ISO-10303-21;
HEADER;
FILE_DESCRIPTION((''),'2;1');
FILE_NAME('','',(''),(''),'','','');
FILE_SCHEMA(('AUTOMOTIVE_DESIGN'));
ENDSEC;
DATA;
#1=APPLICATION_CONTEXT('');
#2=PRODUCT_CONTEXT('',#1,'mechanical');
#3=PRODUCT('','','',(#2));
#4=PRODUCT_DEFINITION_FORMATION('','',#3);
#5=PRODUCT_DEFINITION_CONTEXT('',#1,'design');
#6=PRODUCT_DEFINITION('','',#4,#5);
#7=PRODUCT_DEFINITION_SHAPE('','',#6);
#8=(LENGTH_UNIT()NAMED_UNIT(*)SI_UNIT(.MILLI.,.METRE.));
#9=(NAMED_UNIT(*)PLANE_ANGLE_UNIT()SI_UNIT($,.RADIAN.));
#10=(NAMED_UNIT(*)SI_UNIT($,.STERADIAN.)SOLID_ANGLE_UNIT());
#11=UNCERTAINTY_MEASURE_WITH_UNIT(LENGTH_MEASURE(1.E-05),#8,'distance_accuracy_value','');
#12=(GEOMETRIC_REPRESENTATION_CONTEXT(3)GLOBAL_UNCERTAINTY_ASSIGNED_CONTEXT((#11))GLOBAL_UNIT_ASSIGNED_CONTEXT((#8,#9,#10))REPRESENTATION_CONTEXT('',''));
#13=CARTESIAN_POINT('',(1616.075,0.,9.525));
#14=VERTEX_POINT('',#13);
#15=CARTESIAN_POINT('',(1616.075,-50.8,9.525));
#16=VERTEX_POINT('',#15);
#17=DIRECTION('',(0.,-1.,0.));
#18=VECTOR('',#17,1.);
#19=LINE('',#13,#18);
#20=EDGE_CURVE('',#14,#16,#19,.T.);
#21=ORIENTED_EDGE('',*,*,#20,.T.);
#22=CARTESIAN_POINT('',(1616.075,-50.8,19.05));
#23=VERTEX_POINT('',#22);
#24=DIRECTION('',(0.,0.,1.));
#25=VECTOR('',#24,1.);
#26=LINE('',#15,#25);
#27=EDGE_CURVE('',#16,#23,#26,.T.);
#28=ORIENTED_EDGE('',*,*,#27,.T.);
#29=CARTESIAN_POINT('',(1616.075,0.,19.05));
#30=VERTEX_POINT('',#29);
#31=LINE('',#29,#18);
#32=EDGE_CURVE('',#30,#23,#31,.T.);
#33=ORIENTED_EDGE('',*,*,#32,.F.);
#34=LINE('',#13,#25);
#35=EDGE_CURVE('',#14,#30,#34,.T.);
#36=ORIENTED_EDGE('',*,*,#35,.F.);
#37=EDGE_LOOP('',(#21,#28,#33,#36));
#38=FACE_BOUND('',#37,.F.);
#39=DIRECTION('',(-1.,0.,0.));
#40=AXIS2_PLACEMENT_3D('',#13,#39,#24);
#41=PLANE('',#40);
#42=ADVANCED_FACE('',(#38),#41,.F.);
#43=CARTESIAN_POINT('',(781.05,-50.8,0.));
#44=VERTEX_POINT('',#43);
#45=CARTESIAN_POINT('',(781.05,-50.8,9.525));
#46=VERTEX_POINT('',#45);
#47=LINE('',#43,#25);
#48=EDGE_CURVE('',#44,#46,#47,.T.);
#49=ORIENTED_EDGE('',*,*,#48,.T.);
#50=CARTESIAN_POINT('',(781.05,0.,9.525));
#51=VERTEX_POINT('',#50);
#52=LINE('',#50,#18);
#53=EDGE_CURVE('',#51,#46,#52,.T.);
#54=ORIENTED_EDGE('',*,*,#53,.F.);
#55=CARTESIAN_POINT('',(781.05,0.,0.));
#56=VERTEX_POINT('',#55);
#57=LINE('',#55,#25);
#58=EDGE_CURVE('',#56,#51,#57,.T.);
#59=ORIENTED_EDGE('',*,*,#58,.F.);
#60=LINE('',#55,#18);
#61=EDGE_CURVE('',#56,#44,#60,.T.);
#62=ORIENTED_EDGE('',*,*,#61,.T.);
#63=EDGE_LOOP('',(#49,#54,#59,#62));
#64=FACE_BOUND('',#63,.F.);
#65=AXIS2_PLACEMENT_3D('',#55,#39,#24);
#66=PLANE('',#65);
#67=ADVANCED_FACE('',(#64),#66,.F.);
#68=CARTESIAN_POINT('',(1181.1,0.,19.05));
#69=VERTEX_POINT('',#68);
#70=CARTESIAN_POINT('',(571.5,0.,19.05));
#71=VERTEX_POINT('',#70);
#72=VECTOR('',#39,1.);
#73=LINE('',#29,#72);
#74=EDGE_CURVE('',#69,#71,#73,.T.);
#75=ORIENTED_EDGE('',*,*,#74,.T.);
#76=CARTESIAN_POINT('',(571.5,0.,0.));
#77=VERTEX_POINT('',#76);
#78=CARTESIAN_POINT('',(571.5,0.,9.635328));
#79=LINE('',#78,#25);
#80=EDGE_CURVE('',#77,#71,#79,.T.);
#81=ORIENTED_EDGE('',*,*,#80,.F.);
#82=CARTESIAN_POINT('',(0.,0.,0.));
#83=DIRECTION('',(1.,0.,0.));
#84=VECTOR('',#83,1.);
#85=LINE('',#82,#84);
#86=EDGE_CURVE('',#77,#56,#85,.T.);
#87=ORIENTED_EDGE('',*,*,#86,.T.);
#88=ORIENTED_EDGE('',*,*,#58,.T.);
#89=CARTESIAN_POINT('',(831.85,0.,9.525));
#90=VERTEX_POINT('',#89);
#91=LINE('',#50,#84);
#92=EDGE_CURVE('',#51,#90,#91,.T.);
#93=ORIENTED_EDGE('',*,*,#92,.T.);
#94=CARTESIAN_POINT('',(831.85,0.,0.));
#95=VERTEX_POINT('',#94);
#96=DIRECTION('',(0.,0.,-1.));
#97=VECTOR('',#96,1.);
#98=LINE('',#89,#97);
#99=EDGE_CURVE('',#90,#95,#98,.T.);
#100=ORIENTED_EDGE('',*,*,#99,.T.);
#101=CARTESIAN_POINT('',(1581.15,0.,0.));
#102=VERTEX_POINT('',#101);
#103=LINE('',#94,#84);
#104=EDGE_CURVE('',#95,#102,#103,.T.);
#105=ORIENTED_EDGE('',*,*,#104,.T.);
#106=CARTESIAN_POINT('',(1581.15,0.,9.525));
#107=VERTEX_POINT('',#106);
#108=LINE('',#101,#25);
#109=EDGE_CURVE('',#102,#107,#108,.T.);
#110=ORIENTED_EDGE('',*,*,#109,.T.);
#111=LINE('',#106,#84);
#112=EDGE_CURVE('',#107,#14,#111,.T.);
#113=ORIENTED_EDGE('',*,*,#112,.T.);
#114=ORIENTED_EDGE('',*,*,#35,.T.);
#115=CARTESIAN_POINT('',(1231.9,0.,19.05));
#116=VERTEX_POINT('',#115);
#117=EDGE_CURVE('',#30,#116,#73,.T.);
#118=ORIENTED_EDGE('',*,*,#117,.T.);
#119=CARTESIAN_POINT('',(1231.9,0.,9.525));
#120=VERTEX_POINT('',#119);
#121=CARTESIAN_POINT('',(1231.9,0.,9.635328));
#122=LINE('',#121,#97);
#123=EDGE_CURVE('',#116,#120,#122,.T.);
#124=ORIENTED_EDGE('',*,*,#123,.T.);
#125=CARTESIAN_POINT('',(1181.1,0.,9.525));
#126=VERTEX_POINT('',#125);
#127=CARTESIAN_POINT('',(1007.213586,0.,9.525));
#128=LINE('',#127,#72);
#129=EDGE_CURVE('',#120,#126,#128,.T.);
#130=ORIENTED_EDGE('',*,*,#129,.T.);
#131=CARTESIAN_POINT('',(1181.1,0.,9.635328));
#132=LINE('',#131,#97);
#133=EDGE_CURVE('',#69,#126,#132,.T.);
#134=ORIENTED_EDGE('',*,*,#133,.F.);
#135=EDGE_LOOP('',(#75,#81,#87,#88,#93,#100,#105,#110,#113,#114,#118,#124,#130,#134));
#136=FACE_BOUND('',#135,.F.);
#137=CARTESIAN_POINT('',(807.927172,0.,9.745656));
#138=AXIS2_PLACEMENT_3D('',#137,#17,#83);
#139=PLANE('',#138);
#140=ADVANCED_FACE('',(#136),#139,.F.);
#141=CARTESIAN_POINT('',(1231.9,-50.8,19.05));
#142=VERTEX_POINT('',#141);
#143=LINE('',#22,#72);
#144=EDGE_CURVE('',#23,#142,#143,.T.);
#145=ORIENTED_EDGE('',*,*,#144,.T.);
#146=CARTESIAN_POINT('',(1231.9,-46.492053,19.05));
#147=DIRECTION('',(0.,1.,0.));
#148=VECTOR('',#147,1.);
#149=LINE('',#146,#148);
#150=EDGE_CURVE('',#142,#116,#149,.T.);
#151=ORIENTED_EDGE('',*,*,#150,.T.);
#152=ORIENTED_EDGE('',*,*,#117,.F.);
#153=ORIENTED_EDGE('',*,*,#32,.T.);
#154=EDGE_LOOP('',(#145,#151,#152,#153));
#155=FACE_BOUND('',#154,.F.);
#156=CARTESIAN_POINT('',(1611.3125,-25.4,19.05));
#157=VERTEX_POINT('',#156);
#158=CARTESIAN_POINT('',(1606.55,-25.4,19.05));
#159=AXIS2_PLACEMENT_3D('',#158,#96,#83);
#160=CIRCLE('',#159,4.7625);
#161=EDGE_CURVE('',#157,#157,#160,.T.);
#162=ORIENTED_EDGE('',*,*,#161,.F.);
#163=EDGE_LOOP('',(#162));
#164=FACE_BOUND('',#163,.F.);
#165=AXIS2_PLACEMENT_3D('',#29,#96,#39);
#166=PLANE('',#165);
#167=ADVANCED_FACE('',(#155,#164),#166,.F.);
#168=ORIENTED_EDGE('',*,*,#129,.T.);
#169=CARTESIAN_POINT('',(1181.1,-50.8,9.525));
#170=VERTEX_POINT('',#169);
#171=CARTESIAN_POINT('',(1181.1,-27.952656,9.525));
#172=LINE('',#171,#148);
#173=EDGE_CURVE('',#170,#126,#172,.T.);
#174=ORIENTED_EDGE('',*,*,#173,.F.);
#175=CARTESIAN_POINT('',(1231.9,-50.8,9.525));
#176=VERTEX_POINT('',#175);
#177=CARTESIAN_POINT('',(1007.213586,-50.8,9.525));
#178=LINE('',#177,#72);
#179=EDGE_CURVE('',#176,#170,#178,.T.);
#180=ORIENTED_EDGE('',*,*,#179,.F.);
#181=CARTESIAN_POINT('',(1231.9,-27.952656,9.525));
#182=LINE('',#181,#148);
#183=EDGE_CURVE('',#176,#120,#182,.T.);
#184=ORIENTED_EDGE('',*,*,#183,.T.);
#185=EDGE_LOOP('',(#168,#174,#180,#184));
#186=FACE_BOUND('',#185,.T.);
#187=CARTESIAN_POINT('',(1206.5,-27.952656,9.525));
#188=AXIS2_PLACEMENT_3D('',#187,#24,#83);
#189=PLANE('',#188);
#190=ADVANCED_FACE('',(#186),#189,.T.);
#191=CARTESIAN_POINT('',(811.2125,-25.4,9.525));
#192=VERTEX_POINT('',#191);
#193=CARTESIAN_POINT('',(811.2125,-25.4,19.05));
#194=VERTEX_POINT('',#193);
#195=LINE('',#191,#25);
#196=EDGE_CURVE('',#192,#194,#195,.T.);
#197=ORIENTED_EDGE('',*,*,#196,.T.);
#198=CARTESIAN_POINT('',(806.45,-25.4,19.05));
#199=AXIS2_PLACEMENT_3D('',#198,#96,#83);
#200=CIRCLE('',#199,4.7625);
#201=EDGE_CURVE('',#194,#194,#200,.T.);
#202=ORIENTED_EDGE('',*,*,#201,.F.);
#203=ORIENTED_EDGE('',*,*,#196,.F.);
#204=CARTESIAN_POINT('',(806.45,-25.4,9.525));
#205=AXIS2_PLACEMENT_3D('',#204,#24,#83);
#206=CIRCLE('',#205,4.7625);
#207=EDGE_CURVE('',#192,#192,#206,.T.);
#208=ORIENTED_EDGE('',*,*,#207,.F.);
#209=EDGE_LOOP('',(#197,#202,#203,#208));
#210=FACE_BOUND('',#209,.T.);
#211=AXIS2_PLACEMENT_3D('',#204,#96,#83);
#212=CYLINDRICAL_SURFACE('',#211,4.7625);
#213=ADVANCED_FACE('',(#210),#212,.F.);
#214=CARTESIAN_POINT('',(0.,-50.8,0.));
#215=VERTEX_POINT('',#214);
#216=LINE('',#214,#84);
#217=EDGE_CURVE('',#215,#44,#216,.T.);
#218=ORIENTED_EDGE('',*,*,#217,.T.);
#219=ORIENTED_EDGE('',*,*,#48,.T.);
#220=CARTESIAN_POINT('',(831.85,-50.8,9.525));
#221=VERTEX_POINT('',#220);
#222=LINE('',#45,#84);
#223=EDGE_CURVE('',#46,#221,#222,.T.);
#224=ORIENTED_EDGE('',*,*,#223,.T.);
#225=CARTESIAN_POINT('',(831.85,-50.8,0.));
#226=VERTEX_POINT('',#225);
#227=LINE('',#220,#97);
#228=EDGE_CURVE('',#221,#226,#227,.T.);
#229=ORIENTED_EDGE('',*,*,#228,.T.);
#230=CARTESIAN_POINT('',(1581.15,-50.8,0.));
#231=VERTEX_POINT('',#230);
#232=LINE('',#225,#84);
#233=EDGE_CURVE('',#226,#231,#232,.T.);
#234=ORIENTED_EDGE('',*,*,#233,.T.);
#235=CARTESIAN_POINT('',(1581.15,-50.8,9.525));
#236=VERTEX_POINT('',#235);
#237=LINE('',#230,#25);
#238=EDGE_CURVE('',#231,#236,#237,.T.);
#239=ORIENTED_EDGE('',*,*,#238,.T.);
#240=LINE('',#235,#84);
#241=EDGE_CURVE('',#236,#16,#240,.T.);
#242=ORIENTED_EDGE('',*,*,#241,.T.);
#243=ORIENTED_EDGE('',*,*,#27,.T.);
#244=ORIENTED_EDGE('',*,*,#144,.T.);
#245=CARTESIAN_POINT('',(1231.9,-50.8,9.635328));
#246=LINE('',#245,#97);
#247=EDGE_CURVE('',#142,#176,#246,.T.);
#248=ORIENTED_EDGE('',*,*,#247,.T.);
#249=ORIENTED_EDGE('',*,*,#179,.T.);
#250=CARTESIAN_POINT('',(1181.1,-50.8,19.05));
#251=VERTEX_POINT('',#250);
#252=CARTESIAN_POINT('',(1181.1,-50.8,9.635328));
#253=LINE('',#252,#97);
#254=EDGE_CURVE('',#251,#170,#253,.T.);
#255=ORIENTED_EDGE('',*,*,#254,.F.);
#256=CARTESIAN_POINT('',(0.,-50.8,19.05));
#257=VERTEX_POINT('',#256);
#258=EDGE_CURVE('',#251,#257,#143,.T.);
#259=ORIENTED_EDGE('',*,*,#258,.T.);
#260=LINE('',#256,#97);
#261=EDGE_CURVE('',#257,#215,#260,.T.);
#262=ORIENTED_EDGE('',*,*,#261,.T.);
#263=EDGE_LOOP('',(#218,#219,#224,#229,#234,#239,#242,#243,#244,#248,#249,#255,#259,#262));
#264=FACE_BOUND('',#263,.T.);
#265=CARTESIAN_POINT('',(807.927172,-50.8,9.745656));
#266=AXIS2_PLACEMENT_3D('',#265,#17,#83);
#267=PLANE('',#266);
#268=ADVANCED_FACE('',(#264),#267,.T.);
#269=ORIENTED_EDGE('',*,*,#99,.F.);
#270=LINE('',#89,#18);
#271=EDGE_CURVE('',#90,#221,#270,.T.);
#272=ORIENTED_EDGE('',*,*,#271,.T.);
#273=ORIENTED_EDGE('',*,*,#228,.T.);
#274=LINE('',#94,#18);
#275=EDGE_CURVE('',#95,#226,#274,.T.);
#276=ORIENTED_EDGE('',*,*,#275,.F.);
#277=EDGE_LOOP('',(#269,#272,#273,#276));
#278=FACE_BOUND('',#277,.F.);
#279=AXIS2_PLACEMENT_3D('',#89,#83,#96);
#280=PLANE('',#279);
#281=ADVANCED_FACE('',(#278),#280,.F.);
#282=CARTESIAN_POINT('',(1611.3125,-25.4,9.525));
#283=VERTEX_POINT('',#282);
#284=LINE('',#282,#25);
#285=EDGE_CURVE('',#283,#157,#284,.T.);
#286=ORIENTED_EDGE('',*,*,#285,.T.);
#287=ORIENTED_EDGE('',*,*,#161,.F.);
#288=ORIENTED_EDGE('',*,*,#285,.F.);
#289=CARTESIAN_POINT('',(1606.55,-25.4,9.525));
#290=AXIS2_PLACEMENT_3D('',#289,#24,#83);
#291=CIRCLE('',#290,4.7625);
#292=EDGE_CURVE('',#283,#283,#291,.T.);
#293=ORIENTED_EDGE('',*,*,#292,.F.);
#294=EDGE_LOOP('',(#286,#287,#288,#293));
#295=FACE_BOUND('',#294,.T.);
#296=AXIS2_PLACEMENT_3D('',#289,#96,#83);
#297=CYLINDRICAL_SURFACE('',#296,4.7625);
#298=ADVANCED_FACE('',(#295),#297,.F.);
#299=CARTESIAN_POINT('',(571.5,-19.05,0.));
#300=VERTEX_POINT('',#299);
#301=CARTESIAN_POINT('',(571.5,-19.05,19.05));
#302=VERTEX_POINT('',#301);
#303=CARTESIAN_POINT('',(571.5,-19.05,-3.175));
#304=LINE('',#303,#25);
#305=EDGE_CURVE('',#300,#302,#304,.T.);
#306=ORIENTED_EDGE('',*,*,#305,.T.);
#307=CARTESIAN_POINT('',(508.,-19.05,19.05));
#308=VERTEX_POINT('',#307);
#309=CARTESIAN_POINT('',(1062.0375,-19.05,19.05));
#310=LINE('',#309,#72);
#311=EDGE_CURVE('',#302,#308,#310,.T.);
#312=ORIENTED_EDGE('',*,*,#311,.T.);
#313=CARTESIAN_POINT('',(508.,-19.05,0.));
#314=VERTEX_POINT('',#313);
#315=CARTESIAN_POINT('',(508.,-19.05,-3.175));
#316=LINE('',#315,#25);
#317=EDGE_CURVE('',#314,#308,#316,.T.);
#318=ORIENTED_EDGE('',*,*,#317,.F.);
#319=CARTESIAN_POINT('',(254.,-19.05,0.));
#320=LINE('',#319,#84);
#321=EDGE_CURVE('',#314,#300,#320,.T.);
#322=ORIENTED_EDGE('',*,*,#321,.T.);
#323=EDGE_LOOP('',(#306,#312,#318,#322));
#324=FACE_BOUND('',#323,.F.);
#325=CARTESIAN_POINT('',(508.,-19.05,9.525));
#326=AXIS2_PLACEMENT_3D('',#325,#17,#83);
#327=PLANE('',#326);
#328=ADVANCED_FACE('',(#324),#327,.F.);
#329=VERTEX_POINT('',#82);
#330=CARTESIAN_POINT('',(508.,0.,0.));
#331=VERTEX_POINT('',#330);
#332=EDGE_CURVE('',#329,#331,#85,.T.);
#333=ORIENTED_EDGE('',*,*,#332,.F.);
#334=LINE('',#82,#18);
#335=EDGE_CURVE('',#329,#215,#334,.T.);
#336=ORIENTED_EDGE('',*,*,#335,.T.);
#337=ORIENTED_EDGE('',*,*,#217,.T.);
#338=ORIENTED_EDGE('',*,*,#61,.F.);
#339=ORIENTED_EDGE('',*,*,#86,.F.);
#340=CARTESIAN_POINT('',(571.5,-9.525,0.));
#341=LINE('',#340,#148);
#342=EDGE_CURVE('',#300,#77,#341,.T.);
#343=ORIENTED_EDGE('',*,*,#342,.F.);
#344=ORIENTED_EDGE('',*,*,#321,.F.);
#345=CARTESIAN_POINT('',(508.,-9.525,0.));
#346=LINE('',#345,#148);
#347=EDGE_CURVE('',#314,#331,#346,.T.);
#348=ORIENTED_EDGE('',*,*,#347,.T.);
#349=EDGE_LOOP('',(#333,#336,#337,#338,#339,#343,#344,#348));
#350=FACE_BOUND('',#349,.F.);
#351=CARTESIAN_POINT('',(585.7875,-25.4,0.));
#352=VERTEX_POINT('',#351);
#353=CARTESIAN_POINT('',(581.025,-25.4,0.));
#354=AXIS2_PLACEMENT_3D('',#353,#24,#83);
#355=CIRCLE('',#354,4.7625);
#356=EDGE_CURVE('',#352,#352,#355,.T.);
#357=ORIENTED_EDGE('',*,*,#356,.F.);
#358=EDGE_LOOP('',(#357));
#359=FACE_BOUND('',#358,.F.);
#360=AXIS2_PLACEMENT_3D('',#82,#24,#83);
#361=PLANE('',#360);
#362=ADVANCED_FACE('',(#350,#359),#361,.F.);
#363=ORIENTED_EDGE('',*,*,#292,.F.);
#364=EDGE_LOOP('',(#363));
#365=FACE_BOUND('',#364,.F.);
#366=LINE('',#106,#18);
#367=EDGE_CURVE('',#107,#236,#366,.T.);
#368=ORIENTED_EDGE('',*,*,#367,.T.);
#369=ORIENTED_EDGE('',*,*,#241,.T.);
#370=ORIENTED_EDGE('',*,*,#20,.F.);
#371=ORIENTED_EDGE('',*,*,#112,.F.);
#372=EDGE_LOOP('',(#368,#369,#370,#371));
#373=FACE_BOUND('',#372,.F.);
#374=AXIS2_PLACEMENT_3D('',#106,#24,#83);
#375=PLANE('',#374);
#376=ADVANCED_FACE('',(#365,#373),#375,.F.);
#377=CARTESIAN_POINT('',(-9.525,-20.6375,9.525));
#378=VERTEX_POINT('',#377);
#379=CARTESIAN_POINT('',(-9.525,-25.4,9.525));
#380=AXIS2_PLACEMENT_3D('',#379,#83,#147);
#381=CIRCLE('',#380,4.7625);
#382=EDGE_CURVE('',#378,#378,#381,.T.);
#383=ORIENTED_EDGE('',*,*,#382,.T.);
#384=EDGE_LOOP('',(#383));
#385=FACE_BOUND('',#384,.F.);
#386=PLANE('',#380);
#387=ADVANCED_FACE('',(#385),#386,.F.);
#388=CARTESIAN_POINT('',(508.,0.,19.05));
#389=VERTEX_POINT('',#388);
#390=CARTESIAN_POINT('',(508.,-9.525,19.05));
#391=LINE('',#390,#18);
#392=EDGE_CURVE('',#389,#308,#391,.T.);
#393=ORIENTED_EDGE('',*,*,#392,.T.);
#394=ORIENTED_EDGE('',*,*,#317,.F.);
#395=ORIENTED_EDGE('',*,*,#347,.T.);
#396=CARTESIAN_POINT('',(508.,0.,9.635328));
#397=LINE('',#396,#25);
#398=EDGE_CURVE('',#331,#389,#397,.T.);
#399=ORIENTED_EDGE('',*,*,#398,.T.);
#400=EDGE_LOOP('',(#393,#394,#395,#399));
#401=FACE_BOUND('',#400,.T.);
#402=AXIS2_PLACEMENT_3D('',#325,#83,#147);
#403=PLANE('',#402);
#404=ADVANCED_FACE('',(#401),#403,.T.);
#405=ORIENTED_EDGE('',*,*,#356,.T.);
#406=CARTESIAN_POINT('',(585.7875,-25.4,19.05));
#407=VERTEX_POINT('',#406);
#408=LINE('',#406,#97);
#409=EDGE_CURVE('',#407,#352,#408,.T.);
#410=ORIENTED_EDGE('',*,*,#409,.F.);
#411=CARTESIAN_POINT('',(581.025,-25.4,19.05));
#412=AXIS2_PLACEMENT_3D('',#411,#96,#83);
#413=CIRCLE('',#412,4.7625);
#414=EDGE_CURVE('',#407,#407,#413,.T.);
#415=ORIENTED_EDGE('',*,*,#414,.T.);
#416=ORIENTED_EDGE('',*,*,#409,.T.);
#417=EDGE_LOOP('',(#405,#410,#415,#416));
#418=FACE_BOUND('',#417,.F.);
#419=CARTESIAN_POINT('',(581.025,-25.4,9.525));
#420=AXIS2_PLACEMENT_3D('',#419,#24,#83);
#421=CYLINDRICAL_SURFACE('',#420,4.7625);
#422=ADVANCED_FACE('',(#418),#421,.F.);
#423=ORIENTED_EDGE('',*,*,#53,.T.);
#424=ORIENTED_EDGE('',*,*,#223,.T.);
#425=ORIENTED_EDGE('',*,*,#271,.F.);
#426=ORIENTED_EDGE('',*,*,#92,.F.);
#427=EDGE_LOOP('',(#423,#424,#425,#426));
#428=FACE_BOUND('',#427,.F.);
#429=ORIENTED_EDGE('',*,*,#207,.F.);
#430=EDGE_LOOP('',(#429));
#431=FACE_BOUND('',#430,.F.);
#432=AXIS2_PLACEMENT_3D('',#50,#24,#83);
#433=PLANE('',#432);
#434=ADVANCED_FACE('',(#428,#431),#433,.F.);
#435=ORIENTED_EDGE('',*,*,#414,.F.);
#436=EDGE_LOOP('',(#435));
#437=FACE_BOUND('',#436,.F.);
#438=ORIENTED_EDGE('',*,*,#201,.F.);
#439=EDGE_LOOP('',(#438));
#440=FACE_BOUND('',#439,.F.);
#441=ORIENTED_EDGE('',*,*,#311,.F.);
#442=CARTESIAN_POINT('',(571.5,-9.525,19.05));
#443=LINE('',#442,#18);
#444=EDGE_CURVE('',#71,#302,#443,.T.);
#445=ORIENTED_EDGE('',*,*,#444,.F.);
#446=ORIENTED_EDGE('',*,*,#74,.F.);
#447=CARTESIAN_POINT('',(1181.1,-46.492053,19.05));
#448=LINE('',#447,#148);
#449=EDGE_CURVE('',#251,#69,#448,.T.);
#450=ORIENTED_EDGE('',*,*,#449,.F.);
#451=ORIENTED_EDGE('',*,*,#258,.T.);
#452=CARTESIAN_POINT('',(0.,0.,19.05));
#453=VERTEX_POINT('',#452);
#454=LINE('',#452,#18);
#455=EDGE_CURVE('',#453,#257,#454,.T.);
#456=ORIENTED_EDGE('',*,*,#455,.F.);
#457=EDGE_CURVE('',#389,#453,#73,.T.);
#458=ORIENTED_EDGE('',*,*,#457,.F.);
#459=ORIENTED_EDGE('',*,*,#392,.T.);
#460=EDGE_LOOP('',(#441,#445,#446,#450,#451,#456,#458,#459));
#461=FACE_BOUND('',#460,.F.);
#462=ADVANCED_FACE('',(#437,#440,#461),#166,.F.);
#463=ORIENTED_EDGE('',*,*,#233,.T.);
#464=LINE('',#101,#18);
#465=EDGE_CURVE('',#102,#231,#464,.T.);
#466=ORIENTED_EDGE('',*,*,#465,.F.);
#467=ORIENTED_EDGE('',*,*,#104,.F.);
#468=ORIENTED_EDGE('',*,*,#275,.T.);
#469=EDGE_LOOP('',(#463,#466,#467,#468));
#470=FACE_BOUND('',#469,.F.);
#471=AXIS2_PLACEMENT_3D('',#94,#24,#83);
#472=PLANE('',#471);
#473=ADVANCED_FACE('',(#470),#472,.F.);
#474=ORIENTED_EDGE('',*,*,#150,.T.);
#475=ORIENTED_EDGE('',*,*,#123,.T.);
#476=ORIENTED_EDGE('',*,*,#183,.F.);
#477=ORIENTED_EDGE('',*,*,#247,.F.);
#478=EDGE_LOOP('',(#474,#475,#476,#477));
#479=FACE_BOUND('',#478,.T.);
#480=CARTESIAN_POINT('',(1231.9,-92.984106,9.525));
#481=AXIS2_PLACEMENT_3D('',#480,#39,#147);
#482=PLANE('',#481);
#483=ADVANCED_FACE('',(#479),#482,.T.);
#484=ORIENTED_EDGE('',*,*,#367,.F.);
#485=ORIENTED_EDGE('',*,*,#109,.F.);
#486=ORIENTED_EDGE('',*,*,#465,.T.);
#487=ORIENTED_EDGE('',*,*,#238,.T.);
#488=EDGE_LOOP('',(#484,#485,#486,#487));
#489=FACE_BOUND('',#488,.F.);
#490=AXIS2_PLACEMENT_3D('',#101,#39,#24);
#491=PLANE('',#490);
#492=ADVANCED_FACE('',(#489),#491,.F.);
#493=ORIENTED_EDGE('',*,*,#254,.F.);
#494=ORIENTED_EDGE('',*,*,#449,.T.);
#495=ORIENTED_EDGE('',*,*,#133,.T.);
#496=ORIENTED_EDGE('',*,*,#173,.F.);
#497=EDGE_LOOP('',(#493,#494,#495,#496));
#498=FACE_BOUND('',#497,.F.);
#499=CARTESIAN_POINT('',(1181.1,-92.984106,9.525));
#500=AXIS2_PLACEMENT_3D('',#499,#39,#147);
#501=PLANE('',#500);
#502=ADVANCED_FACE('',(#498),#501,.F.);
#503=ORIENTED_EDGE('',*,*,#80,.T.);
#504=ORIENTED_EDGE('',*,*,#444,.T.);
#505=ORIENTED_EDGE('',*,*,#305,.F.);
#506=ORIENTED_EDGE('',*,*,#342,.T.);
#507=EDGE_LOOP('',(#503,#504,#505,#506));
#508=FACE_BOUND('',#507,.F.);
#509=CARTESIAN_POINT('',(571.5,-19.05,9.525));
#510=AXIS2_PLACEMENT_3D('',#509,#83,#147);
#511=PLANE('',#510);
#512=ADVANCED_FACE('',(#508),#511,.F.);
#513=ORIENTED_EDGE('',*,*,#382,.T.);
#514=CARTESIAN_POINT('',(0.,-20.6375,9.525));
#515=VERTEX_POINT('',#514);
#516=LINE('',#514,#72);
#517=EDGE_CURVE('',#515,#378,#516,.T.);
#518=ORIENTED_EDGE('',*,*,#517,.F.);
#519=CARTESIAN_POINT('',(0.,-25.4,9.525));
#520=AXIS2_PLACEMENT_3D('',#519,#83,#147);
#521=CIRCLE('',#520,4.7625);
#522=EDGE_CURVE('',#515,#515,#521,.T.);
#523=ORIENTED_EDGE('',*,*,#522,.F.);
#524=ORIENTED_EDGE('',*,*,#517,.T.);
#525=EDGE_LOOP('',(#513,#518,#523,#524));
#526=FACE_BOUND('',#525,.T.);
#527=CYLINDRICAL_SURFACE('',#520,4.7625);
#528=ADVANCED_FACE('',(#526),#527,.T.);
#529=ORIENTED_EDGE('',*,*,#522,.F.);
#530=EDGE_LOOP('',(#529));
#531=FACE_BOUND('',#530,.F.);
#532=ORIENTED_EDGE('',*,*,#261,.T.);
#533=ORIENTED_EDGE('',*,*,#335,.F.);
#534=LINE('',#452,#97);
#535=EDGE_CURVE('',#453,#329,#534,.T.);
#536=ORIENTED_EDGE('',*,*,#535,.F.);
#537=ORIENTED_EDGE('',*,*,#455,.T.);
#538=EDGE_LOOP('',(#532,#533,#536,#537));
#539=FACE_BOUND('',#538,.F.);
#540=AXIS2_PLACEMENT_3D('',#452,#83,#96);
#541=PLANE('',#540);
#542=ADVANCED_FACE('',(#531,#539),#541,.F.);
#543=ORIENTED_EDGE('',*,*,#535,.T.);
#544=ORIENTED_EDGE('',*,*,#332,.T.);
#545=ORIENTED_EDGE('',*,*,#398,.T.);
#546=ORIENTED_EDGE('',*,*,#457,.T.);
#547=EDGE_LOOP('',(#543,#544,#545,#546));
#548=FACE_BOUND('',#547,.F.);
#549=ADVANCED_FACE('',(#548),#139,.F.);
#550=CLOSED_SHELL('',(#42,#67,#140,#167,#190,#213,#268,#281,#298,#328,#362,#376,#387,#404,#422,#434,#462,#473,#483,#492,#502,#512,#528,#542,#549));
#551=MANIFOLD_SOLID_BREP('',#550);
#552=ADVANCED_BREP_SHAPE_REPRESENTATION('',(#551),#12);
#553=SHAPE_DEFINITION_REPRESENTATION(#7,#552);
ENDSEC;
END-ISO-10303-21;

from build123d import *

# Parameters (mm, degrees)
F1_DEPTH = 50.8
F3_R     = 4.7625
F3_W     = 63.5
F3_H     = 101.6
F4_DEPTH = 12.7
F5_R     = 4.7625
F6_DEPTH = 9.525
F7_W     = 50.8
F7_H     = 130.0629
F8_DEPTH = 25.4


with BuildPart() as f1:
    # F0 (on Front) → F1 (new body)
    with BuildSketch(Plane.XZ):
        Polygon((1616.075, 9.525), (1616.075, 19.05), (0, 19.05), (0, 0), (781.05, 0), (781.05, 9.525), (831.85, 9.525), (831.85, 0), (1581.15, 0), (1581.15, 9.525), align=None)
    extrude(amount=F1_DEPTH)

    # F3 (on offset) → F4 (cut, symmetric)
    with BuildSketch(Plane.XY.offset(9.525)):
        with Locations((806.45, -25.4)):
            Circle(F3_R)
        with Locations((1606.55, -25.4)):
            Circle(F3_R)
        with Locations((581.025, -25.4)):
            Circle(F3_R)
        with Locations((539.75, 31.75)):
            Rectangle(F3_W, F3_H)
    extrude(amount=F4_DEPTH, both=True, mode=Mode.SUBTRACT)

    # F5 (on Right) → F6 (join)
    with BuildSketch(Plane.YZ):
        with Locations((-25.4, 9.525)):
            Circle(F5_R)
    extrude(amount=-F6_DEPTH)

    # F7 (on offset) → F8 (cut)
    with BuildSketch(Plane.XY.offset(9.525)):
        with Locations((1206.5, -27.952656)):
            Rectangle(F7_W, F7_H)
    extrude(amount=F8_DEPTH, mode=Mode.SUBTRACT)


solid = f1.part
